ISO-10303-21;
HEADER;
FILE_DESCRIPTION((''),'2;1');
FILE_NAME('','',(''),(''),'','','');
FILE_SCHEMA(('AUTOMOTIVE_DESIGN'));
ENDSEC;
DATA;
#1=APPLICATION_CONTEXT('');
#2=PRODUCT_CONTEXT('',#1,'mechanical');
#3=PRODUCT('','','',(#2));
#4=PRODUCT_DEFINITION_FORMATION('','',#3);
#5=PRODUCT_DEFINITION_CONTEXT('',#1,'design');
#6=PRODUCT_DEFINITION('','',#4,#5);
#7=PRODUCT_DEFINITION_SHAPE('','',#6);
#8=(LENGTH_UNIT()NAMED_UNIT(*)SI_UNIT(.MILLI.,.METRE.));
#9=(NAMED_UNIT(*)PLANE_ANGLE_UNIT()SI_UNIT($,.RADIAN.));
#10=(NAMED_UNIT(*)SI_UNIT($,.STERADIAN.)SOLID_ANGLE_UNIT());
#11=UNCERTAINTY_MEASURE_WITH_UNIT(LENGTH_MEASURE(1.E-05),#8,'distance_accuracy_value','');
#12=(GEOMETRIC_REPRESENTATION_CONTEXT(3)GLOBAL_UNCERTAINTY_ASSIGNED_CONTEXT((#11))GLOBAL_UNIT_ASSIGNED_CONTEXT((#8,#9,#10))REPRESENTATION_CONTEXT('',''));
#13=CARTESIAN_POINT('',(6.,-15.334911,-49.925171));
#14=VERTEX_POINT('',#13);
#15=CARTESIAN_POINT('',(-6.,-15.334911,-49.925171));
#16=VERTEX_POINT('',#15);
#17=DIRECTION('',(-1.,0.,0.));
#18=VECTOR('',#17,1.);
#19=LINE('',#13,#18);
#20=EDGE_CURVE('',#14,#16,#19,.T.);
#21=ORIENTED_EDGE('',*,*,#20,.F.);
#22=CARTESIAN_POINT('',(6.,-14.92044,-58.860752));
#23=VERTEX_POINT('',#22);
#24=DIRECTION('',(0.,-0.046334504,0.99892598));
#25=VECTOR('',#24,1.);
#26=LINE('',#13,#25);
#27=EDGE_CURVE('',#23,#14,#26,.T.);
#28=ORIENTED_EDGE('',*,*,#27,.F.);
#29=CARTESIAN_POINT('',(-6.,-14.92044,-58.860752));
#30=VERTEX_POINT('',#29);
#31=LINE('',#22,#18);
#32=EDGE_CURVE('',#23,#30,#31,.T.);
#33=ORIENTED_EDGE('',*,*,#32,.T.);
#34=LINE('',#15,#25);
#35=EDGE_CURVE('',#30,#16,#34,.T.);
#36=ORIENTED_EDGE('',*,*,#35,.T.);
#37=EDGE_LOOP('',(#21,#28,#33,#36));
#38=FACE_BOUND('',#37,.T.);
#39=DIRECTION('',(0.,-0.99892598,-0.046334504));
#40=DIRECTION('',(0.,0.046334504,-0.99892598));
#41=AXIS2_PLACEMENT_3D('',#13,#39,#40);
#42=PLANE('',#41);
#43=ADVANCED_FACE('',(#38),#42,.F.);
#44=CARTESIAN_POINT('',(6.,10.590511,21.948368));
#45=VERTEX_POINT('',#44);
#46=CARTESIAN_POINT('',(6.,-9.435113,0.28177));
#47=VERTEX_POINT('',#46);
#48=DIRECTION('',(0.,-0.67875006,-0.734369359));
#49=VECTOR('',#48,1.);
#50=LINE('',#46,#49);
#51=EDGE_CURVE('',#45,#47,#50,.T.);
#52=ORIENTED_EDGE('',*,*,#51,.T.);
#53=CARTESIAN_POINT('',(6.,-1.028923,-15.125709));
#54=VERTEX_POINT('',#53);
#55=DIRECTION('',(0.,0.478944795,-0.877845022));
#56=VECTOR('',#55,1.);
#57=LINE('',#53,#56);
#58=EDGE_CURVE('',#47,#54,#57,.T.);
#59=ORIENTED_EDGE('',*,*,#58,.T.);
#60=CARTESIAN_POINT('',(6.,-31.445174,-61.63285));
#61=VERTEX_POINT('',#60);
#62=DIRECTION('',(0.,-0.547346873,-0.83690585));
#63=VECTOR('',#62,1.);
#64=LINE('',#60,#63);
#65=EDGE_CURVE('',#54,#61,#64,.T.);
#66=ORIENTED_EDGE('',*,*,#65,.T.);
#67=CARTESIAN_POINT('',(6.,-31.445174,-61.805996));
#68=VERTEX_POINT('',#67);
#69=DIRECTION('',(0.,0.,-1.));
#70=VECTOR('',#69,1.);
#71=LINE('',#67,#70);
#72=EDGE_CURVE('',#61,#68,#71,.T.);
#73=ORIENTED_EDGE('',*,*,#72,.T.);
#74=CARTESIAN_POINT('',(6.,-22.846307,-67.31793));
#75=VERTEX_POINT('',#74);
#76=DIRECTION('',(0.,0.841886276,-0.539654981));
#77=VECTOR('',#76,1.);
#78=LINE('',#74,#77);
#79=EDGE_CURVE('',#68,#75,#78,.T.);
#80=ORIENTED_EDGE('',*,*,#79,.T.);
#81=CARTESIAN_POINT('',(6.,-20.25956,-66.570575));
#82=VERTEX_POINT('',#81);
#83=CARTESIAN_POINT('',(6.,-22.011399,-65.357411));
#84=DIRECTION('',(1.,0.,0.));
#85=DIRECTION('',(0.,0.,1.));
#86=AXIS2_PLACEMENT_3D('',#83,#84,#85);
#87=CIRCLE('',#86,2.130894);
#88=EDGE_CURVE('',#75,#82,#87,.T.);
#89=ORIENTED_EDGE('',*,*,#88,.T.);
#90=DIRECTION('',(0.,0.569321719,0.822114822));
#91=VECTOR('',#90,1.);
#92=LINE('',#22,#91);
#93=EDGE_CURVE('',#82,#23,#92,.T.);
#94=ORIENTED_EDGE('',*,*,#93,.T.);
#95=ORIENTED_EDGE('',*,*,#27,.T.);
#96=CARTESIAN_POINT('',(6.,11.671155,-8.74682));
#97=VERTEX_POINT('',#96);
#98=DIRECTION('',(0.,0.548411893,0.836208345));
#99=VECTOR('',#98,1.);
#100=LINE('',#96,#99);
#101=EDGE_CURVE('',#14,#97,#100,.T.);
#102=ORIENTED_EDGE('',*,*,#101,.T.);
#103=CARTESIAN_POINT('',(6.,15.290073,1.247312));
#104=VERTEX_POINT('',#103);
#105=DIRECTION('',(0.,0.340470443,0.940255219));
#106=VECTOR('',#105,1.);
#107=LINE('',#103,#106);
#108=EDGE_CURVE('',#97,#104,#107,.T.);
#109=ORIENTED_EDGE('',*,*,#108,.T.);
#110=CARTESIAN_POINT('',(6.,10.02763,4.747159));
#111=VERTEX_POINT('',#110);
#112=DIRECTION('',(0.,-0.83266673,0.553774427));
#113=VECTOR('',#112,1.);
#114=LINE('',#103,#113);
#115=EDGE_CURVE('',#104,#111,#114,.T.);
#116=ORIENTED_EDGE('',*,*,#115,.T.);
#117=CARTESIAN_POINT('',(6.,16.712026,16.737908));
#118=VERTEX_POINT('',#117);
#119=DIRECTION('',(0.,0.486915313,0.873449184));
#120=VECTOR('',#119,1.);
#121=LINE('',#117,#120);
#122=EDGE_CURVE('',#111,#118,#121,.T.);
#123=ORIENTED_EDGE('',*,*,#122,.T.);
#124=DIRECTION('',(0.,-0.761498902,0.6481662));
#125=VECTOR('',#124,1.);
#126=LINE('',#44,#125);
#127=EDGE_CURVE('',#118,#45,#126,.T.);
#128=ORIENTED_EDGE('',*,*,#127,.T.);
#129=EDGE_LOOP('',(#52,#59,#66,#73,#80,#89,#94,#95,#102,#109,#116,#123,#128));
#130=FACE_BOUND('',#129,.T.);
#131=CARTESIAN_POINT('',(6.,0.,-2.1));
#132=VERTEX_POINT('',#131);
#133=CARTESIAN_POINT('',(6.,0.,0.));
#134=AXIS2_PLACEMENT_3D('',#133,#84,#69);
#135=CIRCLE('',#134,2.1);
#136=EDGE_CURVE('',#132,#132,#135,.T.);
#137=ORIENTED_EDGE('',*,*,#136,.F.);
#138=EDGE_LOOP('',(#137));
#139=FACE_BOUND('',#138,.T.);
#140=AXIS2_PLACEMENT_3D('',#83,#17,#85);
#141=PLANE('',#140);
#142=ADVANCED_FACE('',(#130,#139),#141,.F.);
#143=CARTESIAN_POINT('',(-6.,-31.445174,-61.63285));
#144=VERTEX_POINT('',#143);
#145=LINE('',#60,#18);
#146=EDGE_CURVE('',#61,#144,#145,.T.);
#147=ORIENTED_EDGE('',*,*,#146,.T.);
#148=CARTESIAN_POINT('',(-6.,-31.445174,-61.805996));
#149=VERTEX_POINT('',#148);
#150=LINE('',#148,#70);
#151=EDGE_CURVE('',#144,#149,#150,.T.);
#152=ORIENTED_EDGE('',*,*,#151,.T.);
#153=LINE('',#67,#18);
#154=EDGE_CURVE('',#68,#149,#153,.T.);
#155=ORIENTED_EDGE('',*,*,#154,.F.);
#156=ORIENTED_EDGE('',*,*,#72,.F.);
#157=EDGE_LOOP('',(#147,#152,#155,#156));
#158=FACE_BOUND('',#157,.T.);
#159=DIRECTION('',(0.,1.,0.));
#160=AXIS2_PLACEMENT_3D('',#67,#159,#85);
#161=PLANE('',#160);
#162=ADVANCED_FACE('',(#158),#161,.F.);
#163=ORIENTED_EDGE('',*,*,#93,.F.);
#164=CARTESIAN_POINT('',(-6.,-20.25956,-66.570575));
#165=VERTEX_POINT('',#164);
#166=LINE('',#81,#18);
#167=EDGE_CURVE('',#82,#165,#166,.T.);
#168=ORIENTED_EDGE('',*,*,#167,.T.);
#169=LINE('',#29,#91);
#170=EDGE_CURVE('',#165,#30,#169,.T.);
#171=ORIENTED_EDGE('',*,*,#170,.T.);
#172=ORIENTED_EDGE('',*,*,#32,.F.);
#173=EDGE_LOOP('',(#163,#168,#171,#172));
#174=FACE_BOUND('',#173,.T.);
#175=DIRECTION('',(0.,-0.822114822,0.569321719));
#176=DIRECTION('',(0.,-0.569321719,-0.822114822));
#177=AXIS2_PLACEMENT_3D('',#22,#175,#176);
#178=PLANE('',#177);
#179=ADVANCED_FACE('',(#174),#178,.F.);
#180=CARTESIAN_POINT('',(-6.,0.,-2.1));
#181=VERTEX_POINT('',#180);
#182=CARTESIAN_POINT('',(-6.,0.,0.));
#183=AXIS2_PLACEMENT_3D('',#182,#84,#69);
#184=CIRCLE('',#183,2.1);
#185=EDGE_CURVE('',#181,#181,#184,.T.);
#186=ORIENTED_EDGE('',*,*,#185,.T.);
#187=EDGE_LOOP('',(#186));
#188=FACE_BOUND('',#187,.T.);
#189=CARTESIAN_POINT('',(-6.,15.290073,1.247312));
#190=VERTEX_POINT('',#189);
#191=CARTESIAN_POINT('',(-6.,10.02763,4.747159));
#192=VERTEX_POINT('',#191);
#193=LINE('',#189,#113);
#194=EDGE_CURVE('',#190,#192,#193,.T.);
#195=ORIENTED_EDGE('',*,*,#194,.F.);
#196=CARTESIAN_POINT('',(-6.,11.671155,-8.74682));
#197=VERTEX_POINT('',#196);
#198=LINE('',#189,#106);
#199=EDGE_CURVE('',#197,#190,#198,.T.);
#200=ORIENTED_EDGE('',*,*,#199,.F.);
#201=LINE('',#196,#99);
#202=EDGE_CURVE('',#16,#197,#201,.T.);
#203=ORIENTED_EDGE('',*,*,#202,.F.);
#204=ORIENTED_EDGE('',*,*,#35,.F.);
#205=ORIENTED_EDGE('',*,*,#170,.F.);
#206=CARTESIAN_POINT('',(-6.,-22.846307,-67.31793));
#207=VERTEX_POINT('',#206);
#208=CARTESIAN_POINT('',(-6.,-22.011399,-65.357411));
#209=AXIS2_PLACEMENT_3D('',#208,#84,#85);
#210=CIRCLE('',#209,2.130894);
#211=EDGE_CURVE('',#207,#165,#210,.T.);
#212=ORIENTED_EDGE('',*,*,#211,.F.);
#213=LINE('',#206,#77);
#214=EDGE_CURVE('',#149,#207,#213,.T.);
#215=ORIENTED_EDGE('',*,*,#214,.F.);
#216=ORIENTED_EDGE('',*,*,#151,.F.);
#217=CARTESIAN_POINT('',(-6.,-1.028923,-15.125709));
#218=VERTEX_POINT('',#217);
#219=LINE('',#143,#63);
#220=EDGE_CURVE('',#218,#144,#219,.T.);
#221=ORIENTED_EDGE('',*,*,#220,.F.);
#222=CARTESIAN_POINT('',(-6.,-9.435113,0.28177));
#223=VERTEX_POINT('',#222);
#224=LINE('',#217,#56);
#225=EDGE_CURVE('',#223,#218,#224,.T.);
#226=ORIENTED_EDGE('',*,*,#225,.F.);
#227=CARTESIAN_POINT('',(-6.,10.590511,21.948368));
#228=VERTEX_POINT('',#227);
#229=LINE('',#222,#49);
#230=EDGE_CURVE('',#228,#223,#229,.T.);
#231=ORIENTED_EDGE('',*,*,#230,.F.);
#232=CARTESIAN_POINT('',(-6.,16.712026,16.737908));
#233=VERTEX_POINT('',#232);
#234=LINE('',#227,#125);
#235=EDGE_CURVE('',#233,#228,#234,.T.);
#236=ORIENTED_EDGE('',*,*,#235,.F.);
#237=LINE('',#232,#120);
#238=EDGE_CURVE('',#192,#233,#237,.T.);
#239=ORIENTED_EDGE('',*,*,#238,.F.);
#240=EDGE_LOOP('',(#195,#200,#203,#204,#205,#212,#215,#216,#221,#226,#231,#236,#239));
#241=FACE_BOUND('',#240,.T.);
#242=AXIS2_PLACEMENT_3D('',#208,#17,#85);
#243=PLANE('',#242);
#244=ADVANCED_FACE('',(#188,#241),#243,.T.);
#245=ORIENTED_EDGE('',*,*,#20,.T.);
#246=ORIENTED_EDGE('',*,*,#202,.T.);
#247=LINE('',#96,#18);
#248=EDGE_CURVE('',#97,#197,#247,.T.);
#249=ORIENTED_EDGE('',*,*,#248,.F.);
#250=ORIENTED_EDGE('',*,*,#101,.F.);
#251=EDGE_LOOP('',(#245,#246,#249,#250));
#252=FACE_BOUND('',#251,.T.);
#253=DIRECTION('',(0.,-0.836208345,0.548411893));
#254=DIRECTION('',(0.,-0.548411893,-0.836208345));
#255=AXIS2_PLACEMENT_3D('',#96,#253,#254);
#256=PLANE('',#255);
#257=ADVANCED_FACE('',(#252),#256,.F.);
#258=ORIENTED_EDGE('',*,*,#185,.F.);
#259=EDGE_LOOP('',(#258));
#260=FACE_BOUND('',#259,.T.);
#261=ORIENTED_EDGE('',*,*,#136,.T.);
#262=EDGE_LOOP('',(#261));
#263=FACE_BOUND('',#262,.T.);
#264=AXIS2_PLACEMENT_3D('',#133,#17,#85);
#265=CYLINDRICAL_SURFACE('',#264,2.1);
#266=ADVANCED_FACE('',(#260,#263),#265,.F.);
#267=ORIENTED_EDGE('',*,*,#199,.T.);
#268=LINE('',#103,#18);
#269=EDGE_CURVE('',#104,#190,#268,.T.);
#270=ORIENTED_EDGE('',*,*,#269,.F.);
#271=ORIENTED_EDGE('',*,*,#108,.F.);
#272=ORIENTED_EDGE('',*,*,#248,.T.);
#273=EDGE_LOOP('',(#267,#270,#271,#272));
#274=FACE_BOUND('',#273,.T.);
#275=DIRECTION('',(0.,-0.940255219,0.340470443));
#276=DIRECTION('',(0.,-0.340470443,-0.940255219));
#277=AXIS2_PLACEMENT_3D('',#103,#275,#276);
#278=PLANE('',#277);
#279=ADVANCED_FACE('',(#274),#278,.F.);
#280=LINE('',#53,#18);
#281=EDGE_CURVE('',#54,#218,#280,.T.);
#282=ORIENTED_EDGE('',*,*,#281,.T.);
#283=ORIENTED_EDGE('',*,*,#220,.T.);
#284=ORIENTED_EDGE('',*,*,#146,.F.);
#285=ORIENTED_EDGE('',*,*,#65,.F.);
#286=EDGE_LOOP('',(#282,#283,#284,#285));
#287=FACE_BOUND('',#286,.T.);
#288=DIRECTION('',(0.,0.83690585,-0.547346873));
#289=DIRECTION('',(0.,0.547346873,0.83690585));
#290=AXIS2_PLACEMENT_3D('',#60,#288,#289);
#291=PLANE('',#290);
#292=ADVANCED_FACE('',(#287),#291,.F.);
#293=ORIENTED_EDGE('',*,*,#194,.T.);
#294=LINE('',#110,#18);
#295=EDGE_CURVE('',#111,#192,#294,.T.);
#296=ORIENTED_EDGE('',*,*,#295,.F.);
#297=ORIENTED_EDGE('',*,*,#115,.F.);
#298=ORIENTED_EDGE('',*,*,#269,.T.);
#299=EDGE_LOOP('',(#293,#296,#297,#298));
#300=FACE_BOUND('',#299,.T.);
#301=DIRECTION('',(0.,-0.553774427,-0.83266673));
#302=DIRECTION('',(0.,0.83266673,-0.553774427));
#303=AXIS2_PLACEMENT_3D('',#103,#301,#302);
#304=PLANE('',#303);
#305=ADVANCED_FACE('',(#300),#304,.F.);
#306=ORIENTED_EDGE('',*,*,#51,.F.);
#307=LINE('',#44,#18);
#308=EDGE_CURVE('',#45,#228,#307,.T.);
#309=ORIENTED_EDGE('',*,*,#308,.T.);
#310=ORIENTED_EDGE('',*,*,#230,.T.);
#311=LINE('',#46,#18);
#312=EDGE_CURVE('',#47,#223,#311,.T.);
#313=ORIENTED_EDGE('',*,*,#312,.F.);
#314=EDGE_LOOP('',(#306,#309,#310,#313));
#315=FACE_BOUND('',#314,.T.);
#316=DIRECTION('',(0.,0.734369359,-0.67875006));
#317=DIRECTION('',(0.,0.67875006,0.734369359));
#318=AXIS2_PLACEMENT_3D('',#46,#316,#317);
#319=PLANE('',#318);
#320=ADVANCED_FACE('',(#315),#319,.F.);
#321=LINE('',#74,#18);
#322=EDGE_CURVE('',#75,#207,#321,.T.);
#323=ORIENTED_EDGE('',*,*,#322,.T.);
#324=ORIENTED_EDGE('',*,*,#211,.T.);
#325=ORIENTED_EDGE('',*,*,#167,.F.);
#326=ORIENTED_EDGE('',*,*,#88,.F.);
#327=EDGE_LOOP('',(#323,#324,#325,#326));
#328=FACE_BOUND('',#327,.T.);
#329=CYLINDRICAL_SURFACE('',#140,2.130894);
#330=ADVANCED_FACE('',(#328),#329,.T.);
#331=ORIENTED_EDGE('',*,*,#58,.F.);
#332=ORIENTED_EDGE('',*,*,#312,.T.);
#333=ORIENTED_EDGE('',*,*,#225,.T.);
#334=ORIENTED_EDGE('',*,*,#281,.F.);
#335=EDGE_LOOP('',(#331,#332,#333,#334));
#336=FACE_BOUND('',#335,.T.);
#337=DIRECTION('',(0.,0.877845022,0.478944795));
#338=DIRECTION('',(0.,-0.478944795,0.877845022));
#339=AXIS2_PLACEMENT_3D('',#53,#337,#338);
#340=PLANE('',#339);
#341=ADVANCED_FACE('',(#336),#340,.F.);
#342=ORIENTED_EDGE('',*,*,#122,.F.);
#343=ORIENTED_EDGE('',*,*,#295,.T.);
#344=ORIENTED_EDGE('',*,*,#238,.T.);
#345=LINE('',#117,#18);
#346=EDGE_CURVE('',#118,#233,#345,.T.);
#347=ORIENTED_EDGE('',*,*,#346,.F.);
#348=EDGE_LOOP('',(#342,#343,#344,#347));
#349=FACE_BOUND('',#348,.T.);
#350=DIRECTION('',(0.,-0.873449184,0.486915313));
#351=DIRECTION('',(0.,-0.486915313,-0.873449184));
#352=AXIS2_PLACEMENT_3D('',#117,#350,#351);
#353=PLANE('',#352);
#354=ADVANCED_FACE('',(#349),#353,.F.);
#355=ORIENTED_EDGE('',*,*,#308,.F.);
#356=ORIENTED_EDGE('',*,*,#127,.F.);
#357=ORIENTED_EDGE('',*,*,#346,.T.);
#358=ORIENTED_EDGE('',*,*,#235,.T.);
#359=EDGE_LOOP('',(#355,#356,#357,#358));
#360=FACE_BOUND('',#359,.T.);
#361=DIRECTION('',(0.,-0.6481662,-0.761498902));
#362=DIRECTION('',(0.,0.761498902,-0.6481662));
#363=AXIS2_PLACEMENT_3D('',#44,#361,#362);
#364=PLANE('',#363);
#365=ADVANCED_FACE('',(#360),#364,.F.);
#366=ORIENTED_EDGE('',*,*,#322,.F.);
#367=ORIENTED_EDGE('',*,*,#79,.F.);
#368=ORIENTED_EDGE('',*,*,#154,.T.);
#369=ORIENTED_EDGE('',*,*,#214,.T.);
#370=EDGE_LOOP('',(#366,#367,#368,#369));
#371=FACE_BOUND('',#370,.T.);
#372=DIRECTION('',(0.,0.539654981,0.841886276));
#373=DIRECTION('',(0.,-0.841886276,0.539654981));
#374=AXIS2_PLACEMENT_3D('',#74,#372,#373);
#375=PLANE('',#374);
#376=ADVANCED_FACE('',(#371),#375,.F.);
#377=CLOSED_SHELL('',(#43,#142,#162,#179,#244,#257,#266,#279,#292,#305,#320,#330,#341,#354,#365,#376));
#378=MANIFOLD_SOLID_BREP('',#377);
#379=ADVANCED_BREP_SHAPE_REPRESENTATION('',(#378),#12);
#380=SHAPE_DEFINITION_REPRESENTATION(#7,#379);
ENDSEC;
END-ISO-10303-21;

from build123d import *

# Parameters (mm, degrees)
SKETCH_1_R      = 2.1
EXTRUDE_1_DEPTH = 6


with BuildPart() as part:
    # 스케치1 → 보스-돌출1 (new, symmetric)
    with BuildSketch(Plane(origin=(0, 0, 0), x_dir=(0, 0, -1), z_dir=(1, 0, 0))):
        with BuildLine():
            Line((-1.247311697, 15.290072814), (-4.747158569, 10.027630369))
            Line((-4.747158569, 10.027630369), (-16.737908316, 16.712025722))
            Line((-16.737908316, 16.712025722), (-21.94836762, 10.590510846))
            Line((-21.94836762, 10.590510846), (-0.281769869, -9.435112952))
            Line((-0.281769869, -9.435112952), (15.1257089, -1.028923277))
            Line((15.1257089, -1.028923277), (61.632849993, -31.445174091))
            Line((61.632849993, -31.445174091), (61.80599614, -31.445174091))
            Line((61.80599614, -31.445174091), (67.317930071, -22.846306867))
            ThreePointArc((67.317930071, -22.846306867), (67.40457501, -21.419938181), (66.570574662, -20.259559625))
            Line((66.570574662, -20.259559625), (58.8607522, -14.920439997))
            Line((58.8607522, -14.920439997), (49.925171415, -15.334910855))
            Line((49.925171415, -15.334910855), (8.746820412, 11.671154757))
            Line((8.746820412, 11.671154757), (-1.247311697, 15.290072814))
        make_face()
        Circle(SKETCH_1_R, mode=Mode.SUBTRACT)
    extrude(amount=EXTRUDE_1_DEPTH, both=True)


solid = part.part
